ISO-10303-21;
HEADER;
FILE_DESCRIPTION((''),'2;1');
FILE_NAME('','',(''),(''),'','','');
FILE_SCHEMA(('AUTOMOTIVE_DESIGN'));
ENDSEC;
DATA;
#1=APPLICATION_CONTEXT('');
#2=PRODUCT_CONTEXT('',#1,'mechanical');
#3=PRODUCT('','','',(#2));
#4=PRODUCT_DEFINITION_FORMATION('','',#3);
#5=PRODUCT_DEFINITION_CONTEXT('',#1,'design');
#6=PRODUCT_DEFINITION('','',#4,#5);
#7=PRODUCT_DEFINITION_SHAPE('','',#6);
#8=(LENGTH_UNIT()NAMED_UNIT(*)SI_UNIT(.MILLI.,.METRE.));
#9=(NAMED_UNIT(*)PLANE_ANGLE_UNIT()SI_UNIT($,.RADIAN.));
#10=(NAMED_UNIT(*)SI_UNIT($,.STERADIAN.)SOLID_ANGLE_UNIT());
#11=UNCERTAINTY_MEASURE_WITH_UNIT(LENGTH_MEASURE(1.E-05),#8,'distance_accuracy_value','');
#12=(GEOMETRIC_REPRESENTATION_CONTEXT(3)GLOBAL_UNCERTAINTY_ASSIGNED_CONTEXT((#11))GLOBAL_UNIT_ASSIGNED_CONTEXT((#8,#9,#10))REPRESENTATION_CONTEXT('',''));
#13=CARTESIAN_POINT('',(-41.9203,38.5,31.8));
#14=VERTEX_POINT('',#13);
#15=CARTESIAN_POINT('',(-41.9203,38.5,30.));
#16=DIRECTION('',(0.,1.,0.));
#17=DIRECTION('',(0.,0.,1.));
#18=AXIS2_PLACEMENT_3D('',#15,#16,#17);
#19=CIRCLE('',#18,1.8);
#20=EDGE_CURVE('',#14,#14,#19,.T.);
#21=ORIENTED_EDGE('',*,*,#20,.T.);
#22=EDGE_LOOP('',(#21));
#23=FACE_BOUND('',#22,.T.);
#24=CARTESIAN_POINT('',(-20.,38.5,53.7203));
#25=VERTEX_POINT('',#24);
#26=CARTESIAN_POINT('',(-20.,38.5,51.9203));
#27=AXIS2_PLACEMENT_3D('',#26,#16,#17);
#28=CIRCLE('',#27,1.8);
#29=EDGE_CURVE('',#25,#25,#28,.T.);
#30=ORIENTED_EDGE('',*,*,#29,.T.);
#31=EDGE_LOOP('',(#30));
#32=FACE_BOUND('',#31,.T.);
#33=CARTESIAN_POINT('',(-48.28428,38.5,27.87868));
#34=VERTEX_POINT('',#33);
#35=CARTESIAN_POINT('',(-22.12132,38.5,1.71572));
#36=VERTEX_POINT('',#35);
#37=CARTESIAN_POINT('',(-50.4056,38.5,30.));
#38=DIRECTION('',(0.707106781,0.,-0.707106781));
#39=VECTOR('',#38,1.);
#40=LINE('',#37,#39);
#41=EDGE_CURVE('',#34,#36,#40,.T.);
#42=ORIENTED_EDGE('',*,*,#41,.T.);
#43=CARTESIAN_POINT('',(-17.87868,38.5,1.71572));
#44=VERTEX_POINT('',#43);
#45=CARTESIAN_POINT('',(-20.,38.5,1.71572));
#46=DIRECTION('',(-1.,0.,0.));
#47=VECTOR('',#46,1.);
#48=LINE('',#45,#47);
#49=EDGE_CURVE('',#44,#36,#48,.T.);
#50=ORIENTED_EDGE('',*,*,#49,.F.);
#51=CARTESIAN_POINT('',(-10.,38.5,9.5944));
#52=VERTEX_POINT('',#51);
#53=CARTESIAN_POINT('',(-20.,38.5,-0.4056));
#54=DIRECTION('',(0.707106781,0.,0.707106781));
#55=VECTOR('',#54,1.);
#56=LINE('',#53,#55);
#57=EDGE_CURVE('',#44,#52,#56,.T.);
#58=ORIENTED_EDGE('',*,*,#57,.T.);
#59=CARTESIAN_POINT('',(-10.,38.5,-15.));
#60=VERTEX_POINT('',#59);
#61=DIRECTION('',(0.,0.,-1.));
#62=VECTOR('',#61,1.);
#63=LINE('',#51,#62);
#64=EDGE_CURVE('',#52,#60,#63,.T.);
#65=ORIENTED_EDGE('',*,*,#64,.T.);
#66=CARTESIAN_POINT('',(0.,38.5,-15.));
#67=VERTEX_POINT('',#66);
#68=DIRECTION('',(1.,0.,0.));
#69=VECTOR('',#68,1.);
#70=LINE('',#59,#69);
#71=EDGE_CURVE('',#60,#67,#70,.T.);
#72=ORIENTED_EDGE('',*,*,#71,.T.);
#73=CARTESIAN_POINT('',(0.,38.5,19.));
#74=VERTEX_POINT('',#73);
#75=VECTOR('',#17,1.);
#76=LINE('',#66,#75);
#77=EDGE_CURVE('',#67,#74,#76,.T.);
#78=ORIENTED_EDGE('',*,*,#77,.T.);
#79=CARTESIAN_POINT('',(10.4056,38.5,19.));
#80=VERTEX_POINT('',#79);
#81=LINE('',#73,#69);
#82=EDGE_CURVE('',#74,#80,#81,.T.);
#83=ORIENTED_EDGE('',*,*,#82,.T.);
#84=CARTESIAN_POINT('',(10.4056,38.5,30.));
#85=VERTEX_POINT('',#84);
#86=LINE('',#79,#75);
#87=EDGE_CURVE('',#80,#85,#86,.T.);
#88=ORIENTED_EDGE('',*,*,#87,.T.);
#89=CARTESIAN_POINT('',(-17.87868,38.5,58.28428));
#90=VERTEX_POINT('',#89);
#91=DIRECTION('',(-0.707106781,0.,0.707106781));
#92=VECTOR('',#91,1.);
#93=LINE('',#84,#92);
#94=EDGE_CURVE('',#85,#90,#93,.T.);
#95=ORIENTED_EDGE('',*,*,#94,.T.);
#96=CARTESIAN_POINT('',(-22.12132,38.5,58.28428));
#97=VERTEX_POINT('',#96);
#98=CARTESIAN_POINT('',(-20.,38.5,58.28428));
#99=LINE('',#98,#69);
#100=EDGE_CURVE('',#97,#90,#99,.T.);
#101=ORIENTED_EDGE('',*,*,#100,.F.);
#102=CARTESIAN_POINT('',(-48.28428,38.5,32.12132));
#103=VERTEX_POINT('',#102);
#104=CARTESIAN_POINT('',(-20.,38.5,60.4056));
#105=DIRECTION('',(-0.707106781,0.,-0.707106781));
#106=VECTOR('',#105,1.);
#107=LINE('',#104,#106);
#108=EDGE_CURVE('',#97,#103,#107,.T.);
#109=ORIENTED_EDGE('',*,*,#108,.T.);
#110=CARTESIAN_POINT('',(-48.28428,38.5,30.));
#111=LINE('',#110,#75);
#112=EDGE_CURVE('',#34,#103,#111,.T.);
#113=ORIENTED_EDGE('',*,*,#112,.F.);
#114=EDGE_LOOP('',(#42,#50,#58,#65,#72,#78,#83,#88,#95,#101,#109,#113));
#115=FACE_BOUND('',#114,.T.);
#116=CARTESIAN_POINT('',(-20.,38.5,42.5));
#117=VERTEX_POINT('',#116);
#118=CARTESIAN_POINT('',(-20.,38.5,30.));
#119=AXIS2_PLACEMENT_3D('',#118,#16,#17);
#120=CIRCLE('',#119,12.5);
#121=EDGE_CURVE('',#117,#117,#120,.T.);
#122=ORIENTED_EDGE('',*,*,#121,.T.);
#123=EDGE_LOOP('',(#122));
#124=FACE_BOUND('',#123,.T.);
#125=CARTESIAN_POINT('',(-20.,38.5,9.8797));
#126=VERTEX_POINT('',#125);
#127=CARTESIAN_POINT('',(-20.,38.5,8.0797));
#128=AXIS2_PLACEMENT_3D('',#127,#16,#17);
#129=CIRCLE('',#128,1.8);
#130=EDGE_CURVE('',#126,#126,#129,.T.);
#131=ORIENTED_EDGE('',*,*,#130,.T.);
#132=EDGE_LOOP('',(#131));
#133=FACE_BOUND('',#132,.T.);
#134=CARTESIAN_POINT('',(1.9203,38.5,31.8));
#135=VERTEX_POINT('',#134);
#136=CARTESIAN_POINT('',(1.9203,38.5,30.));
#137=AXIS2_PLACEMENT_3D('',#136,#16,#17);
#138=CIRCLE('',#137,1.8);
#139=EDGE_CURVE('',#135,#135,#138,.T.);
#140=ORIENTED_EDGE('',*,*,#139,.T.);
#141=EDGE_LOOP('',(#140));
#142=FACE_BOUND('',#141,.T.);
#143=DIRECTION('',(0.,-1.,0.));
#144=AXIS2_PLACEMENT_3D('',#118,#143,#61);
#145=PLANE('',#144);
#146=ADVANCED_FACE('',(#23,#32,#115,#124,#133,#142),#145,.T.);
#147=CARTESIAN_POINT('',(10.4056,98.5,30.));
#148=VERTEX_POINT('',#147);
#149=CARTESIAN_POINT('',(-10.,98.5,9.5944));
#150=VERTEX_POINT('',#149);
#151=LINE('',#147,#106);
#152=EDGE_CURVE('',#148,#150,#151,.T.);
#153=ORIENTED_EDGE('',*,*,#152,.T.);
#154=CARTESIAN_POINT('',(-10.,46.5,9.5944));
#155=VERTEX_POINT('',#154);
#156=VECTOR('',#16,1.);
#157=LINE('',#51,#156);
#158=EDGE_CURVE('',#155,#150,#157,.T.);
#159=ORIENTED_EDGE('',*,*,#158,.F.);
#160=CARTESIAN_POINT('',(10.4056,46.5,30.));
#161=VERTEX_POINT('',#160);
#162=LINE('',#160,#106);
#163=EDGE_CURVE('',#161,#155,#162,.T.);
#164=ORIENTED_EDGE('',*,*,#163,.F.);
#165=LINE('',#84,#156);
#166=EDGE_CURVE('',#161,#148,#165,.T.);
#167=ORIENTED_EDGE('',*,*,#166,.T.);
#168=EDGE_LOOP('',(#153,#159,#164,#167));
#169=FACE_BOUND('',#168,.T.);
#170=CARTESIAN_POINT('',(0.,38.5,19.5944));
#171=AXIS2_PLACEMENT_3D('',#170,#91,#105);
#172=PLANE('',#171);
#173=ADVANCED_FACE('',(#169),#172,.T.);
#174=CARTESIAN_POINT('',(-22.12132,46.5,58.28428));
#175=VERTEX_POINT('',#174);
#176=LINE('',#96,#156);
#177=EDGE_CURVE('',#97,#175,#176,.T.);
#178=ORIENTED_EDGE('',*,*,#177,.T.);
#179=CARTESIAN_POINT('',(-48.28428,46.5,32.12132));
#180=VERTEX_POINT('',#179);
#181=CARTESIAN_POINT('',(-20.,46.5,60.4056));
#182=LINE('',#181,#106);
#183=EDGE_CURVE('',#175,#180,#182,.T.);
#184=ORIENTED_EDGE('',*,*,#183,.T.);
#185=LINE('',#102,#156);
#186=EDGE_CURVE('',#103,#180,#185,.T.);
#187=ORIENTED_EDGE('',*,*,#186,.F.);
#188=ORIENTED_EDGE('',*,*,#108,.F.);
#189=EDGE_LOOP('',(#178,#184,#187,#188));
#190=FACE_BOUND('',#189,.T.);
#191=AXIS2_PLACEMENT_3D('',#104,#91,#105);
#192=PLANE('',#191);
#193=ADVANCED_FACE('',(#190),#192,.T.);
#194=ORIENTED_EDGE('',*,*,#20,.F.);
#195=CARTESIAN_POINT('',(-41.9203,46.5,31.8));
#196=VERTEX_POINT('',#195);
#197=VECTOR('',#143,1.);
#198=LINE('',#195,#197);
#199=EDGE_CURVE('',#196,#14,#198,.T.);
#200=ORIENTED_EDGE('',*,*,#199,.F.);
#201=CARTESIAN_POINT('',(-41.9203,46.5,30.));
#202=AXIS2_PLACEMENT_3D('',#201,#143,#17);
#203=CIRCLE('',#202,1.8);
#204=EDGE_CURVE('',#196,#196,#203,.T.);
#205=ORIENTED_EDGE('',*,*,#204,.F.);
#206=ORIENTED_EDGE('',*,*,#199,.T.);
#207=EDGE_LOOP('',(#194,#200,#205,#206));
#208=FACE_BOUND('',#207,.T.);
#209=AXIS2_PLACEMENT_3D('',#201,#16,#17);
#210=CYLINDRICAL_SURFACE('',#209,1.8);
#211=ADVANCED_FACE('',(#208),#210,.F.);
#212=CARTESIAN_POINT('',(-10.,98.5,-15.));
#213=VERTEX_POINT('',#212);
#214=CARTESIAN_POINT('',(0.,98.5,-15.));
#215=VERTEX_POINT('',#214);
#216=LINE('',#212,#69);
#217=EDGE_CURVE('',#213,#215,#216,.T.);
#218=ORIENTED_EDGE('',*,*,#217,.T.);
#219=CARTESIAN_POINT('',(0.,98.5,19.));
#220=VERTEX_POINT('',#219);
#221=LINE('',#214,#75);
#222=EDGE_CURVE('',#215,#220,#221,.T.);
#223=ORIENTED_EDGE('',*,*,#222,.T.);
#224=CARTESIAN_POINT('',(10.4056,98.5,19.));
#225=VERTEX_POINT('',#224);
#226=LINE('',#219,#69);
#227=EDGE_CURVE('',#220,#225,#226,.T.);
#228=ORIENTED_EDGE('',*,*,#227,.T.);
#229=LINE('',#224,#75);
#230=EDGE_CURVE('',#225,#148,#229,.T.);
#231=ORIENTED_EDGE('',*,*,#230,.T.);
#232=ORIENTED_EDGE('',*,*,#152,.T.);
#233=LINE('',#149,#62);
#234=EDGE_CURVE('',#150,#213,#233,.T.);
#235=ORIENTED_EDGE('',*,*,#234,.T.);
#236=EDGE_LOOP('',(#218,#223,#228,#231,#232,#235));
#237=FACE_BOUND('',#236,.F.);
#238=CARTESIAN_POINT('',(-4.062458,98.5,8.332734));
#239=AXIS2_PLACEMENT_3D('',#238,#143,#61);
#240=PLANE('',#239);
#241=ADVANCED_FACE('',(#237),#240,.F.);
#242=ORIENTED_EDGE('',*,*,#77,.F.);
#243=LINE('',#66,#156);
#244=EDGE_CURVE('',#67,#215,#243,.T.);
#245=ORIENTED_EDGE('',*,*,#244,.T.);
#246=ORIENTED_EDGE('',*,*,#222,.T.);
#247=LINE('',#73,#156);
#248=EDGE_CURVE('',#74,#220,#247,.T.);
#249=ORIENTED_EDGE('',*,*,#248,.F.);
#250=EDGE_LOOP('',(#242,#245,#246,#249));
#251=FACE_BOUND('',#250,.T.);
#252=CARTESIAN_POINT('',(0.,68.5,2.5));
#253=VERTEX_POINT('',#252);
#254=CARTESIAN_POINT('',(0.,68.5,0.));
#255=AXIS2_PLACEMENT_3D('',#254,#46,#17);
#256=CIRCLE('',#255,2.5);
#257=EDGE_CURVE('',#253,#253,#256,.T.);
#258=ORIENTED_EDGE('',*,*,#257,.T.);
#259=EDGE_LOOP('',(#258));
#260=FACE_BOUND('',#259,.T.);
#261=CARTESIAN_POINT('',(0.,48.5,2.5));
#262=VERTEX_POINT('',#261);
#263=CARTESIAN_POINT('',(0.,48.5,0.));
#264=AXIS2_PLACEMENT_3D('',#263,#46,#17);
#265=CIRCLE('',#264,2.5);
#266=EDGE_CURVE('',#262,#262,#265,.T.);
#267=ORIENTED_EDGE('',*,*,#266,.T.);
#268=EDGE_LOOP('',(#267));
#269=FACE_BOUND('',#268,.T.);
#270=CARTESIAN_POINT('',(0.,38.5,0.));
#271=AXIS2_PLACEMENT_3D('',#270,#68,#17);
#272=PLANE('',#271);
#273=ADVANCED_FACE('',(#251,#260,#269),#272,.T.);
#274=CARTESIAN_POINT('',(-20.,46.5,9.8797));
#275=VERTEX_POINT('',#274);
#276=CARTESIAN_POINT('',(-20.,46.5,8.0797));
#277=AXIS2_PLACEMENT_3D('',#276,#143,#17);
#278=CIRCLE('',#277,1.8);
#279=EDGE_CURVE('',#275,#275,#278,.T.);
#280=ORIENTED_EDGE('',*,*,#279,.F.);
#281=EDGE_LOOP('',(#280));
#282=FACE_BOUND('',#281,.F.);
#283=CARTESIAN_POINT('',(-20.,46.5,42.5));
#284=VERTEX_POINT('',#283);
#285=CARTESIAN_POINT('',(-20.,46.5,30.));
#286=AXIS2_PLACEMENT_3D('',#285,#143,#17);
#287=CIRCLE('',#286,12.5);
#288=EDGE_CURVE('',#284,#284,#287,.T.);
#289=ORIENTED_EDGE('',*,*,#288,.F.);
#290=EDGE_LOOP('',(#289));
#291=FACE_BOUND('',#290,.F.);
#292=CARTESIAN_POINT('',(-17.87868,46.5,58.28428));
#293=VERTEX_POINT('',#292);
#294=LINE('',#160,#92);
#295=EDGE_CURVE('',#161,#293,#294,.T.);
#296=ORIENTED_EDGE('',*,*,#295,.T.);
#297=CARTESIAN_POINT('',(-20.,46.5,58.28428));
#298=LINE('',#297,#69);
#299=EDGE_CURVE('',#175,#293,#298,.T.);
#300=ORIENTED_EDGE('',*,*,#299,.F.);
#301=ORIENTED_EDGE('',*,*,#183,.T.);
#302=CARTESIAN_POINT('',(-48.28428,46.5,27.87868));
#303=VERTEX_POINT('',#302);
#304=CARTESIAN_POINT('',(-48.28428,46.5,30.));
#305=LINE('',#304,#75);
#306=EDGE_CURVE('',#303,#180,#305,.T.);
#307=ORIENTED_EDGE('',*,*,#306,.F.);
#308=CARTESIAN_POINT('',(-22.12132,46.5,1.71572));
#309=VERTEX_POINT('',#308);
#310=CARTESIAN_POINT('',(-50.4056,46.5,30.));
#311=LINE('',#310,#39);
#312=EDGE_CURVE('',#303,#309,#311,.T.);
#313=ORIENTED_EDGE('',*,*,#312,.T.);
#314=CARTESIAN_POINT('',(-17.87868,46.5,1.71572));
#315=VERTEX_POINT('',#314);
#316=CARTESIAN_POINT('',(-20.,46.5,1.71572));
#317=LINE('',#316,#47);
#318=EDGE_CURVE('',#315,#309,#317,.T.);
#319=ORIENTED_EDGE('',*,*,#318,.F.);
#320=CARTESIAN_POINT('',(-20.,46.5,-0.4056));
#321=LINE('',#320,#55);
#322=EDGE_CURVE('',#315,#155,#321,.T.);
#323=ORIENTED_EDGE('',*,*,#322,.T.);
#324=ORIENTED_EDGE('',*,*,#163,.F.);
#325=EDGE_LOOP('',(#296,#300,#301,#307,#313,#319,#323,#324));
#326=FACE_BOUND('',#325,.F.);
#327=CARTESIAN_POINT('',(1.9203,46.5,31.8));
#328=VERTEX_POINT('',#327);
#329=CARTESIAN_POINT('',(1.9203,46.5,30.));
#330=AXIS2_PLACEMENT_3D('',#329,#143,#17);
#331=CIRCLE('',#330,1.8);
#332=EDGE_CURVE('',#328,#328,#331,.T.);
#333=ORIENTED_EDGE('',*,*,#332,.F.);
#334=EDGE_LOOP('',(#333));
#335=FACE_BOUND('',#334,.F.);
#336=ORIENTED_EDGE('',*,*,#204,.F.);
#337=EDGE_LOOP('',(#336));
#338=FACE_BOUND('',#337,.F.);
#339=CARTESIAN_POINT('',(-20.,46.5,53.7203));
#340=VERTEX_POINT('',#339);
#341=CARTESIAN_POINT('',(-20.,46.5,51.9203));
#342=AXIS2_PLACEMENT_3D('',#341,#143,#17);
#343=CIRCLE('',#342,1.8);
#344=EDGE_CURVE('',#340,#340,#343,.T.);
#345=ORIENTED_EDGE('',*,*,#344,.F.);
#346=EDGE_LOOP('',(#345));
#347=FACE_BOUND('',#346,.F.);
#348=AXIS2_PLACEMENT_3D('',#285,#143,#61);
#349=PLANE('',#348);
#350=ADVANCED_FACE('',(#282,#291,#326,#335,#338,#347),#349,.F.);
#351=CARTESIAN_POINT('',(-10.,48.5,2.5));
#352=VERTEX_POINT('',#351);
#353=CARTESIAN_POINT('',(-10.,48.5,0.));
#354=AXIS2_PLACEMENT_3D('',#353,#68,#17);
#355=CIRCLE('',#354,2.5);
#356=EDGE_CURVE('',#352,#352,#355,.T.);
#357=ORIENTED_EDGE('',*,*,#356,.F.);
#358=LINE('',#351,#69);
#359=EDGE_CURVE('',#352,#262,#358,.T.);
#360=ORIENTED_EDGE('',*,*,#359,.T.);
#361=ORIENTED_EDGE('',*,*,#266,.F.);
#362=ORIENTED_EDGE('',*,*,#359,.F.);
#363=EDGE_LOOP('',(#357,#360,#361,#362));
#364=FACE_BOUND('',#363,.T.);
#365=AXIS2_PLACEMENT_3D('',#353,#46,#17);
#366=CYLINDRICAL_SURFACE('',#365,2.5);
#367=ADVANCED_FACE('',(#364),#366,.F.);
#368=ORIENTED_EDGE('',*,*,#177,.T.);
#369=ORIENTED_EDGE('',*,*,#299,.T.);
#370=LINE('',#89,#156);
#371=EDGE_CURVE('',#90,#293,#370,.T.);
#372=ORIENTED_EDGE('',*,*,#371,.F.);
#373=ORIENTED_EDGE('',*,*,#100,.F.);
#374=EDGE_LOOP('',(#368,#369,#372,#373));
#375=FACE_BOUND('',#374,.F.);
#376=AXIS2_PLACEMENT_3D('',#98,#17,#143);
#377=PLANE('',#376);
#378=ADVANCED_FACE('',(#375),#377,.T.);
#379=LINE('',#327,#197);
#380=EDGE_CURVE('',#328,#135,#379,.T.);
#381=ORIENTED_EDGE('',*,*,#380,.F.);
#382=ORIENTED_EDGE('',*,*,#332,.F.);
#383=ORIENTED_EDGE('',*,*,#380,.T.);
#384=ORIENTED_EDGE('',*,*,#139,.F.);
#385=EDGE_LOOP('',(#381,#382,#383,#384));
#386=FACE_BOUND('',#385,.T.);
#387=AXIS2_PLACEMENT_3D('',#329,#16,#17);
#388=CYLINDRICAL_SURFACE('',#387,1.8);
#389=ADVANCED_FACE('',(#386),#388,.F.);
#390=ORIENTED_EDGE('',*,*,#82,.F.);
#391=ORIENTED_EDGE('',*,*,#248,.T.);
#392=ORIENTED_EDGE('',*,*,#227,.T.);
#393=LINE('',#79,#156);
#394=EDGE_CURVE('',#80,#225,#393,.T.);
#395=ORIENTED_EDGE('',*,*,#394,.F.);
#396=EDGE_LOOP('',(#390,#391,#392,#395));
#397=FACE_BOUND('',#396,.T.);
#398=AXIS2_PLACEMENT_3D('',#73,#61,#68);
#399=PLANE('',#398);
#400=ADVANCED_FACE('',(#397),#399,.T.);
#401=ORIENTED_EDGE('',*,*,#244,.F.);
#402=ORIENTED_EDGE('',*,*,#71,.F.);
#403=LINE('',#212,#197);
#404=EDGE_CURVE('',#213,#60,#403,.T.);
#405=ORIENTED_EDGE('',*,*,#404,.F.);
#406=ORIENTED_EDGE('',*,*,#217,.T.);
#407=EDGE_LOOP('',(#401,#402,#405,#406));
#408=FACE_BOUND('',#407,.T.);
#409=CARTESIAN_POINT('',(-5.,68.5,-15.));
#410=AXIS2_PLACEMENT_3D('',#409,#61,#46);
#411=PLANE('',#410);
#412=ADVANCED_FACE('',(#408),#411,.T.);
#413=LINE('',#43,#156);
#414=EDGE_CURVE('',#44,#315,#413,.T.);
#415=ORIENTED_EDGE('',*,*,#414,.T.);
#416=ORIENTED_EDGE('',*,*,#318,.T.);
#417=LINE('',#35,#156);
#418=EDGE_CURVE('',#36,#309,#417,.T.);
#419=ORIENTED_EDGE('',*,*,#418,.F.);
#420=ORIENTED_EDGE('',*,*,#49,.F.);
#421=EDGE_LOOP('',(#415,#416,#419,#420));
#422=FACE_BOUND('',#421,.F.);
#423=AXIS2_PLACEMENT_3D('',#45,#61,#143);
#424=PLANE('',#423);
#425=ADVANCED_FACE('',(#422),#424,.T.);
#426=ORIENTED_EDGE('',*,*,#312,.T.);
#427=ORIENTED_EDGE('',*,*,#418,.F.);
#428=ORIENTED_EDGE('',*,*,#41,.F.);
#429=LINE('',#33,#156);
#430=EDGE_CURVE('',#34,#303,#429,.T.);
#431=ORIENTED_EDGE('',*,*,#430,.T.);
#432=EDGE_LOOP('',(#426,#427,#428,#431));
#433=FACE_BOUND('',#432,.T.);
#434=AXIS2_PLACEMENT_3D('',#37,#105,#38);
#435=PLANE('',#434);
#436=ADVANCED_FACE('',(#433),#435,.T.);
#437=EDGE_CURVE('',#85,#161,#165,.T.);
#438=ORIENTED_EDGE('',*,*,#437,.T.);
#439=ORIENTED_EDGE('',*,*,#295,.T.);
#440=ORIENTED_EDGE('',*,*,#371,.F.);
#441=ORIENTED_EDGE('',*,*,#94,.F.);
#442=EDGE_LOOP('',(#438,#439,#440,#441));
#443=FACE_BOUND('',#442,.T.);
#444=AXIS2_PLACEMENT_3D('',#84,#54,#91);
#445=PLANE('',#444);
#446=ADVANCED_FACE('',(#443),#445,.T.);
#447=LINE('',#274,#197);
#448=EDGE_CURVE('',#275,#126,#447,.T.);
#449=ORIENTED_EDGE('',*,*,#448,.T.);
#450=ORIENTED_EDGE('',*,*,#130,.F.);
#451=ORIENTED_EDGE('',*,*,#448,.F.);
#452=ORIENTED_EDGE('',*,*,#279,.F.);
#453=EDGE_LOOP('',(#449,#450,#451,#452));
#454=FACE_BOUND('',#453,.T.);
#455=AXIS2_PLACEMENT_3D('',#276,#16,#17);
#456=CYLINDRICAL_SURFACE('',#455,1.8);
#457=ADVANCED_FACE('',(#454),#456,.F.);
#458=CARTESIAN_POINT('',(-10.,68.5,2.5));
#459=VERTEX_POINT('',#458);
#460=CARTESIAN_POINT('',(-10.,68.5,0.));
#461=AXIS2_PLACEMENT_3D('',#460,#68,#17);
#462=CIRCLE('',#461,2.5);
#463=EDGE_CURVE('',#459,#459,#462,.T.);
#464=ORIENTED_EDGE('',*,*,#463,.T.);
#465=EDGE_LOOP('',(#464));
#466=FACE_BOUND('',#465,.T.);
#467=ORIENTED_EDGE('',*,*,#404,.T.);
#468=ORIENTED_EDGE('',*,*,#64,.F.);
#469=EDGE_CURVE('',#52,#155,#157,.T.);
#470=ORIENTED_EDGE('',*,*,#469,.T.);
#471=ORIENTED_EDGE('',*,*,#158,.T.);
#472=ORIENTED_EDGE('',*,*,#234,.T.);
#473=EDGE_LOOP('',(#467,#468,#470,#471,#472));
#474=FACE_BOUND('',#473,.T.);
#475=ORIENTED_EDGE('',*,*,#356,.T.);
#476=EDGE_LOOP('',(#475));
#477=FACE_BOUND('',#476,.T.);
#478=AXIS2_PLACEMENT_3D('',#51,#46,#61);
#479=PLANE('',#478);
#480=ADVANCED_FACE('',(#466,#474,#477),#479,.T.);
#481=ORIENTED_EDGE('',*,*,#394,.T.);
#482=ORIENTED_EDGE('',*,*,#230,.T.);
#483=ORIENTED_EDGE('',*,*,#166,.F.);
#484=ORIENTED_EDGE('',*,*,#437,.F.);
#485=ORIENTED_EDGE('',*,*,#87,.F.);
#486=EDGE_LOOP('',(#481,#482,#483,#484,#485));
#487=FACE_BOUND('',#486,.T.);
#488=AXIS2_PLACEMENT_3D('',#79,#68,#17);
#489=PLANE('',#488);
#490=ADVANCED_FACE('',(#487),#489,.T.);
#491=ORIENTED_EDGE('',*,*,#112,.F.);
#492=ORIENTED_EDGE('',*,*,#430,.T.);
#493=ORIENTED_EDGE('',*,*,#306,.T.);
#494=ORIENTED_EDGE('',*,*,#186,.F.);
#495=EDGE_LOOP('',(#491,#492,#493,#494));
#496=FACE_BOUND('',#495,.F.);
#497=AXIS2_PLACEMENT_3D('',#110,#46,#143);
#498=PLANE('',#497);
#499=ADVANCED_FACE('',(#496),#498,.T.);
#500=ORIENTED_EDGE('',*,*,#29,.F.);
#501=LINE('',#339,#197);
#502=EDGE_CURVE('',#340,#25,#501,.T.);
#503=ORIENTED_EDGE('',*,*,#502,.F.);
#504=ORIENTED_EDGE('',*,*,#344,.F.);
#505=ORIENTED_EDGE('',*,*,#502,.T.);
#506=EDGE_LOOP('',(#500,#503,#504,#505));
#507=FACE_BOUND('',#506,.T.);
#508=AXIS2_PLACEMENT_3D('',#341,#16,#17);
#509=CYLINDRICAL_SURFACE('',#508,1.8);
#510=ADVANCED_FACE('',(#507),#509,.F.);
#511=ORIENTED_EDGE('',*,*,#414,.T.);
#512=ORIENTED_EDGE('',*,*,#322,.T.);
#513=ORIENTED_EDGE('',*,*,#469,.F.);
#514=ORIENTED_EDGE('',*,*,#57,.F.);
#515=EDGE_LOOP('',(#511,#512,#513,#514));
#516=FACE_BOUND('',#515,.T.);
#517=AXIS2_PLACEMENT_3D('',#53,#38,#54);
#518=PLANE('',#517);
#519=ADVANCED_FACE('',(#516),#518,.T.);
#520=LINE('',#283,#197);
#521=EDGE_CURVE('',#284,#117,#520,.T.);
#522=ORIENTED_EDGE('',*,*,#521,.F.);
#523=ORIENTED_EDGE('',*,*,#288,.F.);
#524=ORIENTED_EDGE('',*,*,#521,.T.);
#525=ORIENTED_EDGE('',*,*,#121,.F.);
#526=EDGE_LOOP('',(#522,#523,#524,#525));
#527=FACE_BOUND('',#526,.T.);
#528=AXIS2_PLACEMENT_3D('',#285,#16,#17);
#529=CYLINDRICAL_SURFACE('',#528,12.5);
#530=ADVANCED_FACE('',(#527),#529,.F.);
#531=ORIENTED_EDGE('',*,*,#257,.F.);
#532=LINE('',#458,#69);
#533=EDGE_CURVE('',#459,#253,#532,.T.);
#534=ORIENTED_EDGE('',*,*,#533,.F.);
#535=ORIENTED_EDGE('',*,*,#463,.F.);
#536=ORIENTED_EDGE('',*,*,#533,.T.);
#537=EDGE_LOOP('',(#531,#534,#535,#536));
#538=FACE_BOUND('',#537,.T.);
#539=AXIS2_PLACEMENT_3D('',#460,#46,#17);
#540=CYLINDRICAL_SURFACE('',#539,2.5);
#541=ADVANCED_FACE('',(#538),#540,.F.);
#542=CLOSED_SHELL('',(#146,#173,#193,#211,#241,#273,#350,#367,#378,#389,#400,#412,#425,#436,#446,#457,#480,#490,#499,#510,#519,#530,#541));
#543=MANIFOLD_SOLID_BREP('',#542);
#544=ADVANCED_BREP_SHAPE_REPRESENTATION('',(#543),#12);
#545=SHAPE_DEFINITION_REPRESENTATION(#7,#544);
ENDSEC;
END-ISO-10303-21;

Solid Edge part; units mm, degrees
sketch "Sketch1" plane through (0, 38.5, 0) normal (0, -1, 0) x (1, 0, 0)
  line L0 (-20, -0.4056) -> (10.4056, 30)
  line L1 (10.4056, 30) -> (-20, 60.4056)
  line L2 (-20, 60.4056) -> (-50.4056, 30)
  line L3 (-50.4056, 30) -> (-20, -0.4056)
  dimension "D1" = 43
extrude "ExtrudedProtrusion_1" add sketch "Sketch1" against normal blind 8
sketch "Sketch2" plane through (0, 38.5, 0) normal (0, -1, 0) x (1, 0, 0)
  line L0 (0, 0) -> (0, 19.5944)
  line L1 (0, 19.5944) -> (-10, 9.5944)
  line L2 (-10, 9.5944) -> (-10, 0)
  line L3 (-10, 0) -> (0, 0)
  dimension "D1" = 10
extrude "ExtrudedProtrusion_2" add sketch "Sketch2" against normal blind 60
sketch "Sketch3" plane through (0, 38.5, 0) normal (0, -1, 0) x (1, 0, 0)
  line L0 (0, 19) -> (10.4056, 19)
  line L1 (10.4056, 19) -> (10.4056, 30)
  line L2 (10.4056, 30) -> (0, 19.5944)
  line L3 (0, 19.5944) -> (0, 19)
extrude "ExtrudedProtrusion_3" add sketch "Sketch3" against normal blind 60
hole "Hole_1" at (-20, 46.5, 30) direction (0, -1, 0) diameter 25 end up to next
hole "Hole_2" at (1.9203, 46.5, 30) direction (0, -1, 0) diameter 3.6 end up to next
hole "Hole1" at (-20, 46.5, 51.9203) direction (0, -1, 0) diameter 3.6 end up to next
hole "Hole2" at (-41.9203, 46.5, 30) direction (0, -1, 0) diameter 3.6 end up to next
hole "Hole3" at (-20, 46.5, 8.0797) direction (0, -1, 0) diameter 3.6 end up to next
chamfer "Chamfer_1" distance 3 angle 45 3 edges at (-20, 42.5, 60.4056) (-50.4056, 42.5, 30) (-20, 42.5, -0.4056)
sketch "Sketch4" plane through (-5, 68.5, 0) normal (0, 0, -1) x (0, -1, 0)
  line L0 (-30, 5) -> (-30, -5)
  line L1 (30, -5) -> (-30, -5)
  line L2 (30, 5) -> (30, -5)
  line L3 (-30, 5) -> (30, 5)
extrude "ExtrudedProtrusion_5" add sketch "Sketch4" along normal blind 15
hole "Hole_6" at (-10, 48.5, 0) direction (1, 0, 0) diameter 5 end up to next
hole "Hole4" at (-10, 68.5, 0) direction (1, 0, 0) diameter 5 end up to next
properties material "Polyethylene, low density"
